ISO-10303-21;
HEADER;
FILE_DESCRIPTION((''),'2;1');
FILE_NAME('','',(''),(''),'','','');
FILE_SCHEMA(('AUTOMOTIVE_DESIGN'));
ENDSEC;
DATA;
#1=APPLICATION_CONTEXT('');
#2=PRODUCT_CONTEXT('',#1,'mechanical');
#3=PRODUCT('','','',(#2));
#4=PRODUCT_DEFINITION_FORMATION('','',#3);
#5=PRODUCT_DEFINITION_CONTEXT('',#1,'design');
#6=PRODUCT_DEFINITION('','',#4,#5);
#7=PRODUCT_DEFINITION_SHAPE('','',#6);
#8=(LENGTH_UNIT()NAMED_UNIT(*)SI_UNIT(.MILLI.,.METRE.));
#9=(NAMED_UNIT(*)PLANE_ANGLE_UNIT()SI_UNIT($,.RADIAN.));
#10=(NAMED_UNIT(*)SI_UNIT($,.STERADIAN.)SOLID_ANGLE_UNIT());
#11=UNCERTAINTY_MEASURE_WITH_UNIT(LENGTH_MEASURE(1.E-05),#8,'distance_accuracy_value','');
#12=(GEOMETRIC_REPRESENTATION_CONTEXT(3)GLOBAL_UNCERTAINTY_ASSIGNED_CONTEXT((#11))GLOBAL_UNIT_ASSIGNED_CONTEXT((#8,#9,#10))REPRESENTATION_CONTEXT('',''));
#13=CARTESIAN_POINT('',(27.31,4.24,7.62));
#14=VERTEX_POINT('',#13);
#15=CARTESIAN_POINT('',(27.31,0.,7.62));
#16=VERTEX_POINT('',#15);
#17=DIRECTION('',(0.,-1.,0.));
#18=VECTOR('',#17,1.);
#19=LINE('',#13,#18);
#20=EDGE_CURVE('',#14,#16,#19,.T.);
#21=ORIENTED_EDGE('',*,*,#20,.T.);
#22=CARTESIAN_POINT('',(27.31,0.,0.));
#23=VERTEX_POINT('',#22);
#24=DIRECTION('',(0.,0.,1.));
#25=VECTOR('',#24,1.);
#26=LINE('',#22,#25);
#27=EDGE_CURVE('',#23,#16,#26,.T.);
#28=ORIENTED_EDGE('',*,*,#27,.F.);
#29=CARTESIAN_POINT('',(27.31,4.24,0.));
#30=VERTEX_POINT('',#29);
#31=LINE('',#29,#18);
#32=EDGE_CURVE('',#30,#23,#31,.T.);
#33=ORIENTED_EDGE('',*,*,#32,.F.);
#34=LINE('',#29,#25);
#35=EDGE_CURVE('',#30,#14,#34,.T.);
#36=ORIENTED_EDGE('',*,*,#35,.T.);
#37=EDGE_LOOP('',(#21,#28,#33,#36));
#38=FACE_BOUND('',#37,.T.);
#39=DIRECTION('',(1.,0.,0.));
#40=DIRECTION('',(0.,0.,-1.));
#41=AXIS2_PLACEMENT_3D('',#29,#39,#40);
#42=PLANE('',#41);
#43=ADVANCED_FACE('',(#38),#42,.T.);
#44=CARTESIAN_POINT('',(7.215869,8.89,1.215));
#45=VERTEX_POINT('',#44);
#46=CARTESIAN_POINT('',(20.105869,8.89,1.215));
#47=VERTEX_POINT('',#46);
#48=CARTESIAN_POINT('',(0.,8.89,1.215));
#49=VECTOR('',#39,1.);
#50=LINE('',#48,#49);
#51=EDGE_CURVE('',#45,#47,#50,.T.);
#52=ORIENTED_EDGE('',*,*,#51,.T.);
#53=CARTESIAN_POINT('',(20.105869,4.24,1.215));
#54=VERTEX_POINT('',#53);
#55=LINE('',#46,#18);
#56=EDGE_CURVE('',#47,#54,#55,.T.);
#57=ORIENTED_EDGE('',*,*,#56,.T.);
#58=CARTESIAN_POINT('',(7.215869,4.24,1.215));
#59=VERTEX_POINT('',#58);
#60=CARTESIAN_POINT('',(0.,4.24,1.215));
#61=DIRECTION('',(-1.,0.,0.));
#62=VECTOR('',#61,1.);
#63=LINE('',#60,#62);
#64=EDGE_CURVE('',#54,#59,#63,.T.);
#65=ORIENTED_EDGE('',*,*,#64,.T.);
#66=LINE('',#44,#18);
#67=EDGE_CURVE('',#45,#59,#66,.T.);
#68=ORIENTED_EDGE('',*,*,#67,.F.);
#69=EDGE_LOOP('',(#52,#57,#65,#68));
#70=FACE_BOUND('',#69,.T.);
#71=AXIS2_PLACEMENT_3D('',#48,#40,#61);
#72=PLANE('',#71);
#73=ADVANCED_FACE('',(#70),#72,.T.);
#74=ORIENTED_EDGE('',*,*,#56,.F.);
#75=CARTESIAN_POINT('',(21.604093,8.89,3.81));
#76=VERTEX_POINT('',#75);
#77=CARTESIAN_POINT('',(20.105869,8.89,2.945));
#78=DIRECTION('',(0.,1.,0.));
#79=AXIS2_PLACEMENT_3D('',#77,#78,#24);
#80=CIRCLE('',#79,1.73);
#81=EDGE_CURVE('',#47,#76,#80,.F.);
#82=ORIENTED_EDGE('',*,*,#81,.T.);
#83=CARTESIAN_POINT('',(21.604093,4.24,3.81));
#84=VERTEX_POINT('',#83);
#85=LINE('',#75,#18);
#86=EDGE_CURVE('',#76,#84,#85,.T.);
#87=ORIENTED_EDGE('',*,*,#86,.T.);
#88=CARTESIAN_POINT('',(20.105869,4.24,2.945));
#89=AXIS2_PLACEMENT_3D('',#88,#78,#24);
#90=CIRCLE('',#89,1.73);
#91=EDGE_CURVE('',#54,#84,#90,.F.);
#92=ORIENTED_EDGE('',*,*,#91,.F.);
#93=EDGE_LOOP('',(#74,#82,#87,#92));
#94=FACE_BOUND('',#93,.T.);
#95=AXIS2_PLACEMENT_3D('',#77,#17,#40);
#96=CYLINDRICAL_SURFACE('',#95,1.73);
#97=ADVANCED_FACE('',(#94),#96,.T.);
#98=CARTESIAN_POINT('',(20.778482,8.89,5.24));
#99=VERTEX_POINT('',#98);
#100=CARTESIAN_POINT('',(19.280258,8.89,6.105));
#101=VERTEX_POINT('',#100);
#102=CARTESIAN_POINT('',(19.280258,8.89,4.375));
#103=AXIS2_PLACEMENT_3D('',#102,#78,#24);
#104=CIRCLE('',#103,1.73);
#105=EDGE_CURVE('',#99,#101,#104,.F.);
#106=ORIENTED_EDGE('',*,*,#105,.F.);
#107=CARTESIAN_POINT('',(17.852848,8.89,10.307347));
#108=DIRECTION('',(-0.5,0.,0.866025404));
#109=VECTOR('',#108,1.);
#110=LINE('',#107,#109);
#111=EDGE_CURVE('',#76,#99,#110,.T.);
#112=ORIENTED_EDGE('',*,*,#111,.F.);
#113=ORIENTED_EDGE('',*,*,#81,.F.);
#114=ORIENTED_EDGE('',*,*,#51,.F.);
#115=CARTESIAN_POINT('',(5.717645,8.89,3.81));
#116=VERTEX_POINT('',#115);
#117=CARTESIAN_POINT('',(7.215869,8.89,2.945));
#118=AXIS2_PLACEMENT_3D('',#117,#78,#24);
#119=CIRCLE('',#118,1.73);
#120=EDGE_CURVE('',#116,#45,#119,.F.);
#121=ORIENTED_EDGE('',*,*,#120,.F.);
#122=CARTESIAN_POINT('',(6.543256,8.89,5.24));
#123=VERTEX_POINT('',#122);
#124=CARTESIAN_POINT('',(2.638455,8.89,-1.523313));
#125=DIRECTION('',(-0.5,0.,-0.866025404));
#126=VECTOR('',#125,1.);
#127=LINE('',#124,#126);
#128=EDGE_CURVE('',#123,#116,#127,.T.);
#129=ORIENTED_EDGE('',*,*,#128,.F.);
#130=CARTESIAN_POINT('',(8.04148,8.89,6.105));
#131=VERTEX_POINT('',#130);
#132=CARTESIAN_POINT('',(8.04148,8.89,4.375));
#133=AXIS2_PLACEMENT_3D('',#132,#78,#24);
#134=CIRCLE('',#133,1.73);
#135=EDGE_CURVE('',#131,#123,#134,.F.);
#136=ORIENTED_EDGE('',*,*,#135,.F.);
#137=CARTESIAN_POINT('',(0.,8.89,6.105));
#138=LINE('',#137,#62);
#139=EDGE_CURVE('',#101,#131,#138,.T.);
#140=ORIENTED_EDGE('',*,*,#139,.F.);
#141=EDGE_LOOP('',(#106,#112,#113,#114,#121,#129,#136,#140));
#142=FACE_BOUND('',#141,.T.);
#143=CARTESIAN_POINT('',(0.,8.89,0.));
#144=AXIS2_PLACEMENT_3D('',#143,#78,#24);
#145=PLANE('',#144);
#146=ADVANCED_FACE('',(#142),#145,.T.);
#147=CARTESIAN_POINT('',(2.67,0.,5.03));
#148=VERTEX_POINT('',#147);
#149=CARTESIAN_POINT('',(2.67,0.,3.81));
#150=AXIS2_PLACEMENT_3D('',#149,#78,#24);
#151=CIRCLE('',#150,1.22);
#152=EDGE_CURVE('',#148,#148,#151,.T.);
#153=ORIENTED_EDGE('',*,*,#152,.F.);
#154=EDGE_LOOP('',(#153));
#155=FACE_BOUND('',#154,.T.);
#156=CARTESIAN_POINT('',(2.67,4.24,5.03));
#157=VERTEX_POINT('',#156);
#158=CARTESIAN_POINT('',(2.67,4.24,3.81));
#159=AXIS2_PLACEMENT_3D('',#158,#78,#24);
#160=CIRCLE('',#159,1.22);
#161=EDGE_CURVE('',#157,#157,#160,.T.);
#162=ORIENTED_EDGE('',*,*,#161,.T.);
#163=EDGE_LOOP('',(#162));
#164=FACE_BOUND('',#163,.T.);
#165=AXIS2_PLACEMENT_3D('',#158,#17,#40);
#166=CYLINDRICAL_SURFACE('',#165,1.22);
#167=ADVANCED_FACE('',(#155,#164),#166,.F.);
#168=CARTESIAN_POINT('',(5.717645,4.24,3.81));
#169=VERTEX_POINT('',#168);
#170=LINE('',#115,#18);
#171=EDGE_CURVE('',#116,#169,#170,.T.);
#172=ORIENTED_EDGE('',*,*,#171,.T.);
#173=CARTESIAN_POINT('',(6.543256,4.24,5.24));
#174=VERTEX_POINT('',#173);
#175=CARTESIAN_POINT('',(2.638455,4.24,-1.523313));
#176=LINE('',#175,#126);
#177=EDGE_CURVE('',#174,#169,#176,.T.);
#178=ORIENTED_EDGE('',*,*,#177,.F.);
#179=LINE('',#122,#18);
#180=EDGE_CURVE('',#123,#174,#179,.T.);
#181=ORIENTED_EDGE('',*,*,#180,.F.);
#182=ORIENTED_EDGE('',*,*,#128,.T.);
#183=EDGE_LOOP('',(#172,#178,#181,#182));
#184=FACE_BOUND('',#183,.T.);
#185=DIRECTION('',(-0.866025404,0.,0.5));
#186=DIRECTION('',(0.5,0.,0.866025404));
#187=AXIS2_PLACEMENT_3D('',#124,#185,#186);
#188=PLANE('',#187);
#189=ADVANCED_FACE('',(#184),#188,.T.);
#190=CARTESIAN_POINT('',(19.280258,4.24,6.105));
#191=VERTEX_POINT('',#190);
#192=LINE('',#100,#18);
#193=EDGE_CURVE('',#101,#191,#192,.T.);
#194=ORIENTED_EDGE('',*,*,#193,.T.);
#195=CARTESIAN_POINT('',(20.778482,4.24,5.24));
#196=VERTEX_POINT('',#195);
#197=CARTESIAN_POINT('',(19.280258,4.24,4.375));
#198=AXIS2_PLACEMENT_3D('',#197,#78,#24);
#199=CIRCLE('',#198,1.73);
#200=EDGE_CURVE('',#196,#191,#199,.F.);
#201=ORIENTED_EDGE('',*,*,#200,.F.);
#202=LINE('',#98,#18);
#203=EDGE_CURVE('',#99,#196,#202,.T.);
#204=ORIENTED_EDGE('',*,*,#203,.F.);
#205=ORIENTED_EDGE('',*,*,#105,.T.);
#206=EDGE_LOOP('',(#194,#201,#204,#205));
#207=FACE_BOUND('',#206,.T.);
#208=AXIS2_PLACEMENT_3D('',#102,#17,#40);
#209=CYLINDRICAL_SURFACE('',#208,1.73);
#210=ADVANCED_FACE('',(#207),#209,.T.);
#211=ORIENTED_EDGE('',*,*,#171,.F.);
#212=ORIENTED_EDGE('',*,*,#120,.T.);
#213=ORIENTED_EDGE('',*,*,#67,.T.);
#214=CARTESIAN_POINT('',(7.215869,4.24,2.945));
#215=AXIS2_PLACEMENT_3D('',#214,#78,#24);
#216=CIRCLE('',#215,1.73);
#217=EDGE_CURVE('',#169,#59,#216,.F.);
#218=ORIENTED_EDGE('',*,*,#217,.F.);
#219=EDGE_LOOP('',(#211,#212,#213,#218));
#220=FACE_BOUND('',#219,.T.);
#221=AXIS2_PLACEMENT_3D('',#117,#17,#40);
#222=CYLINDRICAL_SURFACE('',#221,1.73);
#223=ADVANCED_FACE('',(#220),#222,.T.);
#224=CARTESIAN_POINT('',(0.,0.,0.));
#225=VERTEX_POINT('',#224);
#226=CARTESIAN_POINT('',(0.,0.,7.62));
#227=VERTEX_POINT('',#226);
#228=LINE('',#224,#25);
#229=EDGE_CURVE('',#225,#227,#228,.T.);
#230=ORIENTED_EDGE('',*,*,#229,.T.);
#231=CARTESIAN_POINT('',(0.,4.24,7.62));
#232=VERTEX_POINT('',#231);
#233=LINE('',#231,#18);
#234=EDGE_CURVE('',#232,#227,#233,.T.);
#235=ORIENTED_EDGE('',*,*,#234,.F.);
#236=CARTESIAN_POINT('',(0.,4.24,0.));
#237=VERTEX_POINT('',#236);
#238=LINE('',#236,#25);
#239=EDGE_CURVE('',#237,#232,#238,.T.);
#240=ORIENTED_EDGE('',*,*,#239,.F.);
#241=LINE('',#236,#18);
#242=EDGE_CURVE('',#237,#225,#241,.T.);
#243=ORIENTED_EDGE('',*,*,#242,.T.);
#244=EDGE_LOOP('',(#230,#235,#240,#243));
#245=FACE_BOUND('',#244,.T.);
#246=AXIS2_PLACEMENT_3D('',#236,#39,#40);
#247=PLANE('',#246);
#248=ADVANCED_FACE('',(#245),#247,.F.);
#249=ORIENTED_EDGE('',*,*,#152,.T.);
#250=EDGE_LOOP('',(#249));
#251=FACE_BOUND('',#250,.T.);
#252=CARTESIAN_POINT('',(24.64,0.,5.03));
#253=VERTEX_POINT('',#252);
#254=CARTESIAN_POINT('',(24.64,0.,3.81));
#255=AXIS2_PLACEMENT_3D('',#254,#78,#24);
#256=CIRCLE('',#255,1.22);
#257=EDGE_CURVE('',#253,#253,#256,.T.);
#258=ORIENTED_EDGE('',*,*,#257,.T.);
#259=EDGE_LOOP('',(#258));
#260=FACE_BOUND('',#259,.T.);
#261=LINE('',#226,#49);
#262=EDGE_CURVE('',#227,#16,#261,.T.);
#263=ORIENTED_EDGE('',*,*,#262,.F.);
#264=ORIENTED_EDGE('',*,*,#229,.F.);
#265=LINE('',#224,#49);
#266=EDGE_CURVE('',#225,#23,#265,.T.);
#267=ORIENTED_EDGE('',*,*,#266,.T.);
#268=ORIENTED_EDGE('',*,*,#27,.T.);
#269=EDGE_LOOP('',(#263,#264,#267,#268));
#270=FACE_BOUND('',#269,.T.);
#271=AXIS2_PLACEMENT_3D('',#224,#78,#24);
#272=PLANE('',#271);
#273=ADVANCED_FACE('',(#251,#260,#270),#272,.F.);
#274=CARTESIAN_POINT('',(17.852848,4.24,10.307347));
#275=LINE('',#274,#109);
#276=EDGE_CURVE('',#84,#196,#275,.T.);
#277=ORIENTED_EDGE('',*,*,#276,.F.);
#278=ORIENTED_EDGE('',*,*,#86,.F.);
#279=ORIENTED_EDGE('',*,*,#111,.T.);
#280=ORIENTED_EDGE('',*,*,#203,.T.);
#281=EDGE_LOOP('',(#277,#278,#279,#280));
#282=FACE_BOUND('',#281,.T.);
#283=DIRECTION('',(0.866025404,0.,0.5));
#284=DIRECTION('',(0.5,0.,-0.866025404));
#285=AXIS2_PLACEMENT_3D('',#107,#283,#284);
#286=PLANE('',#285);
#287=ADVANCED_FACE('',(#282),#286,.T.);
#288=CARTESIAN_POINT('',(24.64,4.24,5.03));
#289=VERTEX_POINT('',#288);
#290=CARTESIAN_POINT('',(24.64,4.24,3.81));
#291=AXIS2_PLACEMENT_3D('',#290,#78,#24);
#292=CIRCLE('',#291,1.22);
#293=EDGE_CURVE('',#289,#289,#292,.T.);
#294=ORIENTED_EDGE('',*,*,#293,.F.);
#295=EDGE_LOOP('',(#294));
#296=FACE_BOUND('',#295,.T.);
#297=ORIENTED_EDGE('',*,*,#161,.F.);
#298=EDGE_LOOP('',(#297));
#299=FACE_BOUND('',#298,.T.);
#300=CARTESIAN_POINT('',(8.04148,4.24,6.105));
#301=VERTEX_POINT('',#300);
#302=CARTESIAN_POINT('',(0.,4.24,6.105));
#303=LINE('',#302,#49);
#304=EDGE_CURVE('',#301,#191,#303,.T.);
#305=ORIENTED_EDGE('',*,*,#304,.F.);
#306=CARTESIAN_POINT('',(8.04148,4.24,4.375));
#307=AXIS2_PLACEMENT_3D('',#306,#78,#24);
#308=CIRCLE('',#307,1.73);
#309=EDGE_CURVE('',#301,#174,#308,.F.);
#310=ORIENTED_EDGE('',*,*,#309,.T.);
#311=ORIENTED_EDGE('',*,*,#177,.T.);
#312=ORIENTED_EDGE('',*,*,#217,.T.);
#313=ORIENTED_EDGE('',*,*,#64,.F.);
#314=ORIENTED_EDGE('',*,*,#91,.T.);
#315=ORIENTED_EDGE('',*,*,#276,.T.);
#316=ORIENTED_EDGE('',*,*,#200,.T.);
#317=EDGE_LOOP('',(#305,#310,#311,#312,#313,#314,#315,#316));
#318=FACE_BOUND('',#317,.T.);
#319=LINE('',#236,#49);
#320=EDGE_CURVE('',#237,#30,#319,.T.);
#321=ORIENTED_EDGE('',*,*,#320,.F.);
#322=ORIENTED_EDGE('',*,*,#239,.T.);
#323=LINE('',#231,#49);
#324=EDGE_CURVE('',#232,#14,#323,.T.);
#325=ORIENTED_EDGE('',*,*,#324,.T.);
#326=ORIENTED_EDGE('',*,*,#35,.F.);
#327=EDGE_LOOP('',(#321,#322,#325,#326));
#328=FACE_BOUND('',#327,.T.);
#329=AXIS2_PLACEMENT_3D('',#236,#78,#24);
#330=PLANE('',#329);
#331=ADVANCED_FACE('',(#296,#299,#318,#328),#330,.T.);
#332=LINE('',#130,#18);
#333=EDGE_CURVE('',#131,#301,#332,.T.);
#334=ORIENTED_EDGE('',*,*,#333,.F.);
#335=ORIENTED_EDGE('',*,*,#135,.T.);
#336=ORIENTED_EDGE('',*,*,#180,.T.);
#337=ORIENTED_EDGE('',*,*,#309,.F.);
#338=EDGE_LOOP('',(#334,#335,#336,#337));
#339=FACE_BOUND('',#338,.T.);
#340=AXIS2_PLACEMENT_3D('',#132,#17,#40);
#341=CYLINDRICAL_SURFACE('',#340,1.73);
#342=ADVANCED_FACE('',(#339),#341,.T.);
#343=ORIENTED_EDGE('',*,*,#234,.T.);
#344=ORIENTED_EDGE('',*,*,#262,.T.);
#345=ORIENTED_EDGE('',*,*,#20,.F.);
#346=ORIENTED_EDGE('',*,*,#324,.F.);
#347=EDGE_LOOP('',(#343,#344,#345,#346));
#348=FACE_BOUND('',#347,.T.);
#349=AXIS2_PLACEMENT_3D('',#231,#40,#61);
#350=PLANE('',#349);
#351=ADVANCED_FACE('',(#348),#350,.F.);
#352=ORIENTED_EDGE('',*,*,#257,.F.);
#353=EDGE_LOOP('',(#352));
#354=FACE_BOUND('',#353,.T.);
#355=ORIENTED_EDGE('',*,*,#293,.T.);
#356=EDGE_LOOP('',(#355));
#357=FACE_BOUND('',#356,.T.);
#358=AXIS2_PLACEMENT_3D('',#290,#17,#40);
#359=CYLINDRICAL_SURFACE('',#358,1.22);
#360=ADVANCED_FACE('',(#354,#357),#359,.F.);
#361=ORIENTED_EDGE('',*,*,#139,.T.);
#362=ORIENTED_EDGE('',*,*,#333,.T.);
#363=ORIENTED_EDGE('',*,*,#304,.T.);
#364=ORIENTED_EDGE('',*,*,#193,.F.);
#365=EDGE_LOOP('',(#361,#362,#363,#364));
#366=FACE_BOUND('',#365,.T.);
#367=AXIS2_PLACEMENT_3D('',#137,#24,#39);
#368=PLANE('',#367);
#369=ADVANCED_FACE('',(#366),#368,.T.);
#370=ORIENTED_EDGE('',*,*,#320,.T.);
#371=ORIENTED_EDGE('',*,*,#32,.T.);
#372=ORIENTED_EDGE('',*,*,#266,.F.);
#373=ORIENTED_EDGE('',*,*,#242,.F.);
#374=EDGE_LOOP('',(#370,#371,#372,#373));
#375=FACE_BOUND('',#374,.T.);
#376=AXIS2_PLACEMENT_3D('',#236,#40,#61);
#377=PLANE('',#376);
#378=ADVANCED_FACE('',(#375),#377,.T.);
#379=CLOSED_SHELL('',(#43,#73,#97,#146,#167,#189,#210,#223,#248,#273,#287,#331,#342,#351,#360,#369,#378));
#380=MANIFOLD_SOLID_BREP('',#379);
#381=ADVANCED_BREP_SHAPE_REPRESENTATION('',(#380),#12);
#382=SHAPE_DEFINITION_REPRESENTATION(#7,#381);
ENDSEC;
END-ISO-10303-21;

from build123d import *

# Parameters (mm, degrees)
SKETCH1_W           = 27.31
SKETCH1_H           = 7.62
SKETCH1_R           = 1.22
BOSS_EXTRUDE1_DEPTH = 4.24
BOSS_EXTRUDE2_DEPTH = 8.89


with BuildPart() as part:
    # Sketch1 → Boss-Extrude1 (new body)
    with BuildSketch(Plane(origin=(0, 0, 0), x_dir=(1, 0, 0), z_dir=(0, 1, 0))):
        with Locations((13.655, -3.81)):
            Rectangle(SKETCH1_W, SKETCH1_H)
        with BuildLine():
            Line((20.540684506, -5.56), (6.781053245, -5.56))
            ThreePointArc((6.781053245, -5.56), (6.652905637, -5.406873008), (6.543255812, -5.24))
            Line((6.543255812, -5.24), (5.717644927, -3.81))
            ThreePointArc((5.717644927, -3.81), (5.656921043, -3.695054436), (5.605, -3.575873574))
            Line((5.605, -3.575873574), (5.605, -2.314126426))
            ThreePointArc((5.605, -2.314126426), (5.661981888, -2.184516451), (5.729371314, -2.06))
            Line((5.729371314, -2.06), (21.592366437, -2.06))
            ThreePointArc((21.592366437, -2.06), (21.652777263, -2.17041983), (21.705, -2.284939665))
            Line((21.705, -2.284939665), (21.705, -3.605060335))
            ThreePointArc((21.705, -3.605060335), (21.65793272, -3.709197501), (21.604092824, -3.81))
            Line((21.604092824, -3.81), (20.778481939, -5.24))
            ThreePointArc((20.778481939, -5.24), (20.668832114, -5.406873008), (20.540684506, -5.56))
        make_face(mode=Mode.SUBTRACT)
        with Locations((2.67, -3.81)):
            Circle(SKETCH1_R, mode=Mode.SUBTRACT)
        with Locations((24.64, -3.81)):
            Circle(SKETCH1_R, mode=Mode.SUBTRACT)
    extrude(amount=BOSS_EXTRUDE1_DEPTH)

    # Sketch1<2> → Boss-Extrude2 (add)
    with BuildSketch(Plane(origin=(0, 0, 0), x_dir=(1, 0, 0), z_dir=(0, 1, 0))):
        with BuildLine():
            Line((8.04147976, -6.105), (19.28025799, -6.105))
            ThreePointArc((19.28025799, -6.105), (20.14525799, -5.873223949), (20.778481939, -5.24))
            Line((20.778481939, -5.24), (21.604092824, -3.81))
            ThreePointArc((21.604092824, -3.81), (21.604092824, -2.08), (20.105868875, -1.215))
            Line((20.105868875, -1.215), (7.215868875, -1.215))
            ThreePointArc((7.215868875, -1.215), (5.717644927, -2.08), (5.717644927, -3.81))
            Line((5.717644927, -3.81), (6.543255812, -5.24))
            ThreePointArc((6.543255812, -5.24), (7.17647976, -5.873223949), (8.04147976, -6.105))
        make_face()
    extrude(amount=BOSS_EXTRUDE2_DEPTH)


solid = part.part
